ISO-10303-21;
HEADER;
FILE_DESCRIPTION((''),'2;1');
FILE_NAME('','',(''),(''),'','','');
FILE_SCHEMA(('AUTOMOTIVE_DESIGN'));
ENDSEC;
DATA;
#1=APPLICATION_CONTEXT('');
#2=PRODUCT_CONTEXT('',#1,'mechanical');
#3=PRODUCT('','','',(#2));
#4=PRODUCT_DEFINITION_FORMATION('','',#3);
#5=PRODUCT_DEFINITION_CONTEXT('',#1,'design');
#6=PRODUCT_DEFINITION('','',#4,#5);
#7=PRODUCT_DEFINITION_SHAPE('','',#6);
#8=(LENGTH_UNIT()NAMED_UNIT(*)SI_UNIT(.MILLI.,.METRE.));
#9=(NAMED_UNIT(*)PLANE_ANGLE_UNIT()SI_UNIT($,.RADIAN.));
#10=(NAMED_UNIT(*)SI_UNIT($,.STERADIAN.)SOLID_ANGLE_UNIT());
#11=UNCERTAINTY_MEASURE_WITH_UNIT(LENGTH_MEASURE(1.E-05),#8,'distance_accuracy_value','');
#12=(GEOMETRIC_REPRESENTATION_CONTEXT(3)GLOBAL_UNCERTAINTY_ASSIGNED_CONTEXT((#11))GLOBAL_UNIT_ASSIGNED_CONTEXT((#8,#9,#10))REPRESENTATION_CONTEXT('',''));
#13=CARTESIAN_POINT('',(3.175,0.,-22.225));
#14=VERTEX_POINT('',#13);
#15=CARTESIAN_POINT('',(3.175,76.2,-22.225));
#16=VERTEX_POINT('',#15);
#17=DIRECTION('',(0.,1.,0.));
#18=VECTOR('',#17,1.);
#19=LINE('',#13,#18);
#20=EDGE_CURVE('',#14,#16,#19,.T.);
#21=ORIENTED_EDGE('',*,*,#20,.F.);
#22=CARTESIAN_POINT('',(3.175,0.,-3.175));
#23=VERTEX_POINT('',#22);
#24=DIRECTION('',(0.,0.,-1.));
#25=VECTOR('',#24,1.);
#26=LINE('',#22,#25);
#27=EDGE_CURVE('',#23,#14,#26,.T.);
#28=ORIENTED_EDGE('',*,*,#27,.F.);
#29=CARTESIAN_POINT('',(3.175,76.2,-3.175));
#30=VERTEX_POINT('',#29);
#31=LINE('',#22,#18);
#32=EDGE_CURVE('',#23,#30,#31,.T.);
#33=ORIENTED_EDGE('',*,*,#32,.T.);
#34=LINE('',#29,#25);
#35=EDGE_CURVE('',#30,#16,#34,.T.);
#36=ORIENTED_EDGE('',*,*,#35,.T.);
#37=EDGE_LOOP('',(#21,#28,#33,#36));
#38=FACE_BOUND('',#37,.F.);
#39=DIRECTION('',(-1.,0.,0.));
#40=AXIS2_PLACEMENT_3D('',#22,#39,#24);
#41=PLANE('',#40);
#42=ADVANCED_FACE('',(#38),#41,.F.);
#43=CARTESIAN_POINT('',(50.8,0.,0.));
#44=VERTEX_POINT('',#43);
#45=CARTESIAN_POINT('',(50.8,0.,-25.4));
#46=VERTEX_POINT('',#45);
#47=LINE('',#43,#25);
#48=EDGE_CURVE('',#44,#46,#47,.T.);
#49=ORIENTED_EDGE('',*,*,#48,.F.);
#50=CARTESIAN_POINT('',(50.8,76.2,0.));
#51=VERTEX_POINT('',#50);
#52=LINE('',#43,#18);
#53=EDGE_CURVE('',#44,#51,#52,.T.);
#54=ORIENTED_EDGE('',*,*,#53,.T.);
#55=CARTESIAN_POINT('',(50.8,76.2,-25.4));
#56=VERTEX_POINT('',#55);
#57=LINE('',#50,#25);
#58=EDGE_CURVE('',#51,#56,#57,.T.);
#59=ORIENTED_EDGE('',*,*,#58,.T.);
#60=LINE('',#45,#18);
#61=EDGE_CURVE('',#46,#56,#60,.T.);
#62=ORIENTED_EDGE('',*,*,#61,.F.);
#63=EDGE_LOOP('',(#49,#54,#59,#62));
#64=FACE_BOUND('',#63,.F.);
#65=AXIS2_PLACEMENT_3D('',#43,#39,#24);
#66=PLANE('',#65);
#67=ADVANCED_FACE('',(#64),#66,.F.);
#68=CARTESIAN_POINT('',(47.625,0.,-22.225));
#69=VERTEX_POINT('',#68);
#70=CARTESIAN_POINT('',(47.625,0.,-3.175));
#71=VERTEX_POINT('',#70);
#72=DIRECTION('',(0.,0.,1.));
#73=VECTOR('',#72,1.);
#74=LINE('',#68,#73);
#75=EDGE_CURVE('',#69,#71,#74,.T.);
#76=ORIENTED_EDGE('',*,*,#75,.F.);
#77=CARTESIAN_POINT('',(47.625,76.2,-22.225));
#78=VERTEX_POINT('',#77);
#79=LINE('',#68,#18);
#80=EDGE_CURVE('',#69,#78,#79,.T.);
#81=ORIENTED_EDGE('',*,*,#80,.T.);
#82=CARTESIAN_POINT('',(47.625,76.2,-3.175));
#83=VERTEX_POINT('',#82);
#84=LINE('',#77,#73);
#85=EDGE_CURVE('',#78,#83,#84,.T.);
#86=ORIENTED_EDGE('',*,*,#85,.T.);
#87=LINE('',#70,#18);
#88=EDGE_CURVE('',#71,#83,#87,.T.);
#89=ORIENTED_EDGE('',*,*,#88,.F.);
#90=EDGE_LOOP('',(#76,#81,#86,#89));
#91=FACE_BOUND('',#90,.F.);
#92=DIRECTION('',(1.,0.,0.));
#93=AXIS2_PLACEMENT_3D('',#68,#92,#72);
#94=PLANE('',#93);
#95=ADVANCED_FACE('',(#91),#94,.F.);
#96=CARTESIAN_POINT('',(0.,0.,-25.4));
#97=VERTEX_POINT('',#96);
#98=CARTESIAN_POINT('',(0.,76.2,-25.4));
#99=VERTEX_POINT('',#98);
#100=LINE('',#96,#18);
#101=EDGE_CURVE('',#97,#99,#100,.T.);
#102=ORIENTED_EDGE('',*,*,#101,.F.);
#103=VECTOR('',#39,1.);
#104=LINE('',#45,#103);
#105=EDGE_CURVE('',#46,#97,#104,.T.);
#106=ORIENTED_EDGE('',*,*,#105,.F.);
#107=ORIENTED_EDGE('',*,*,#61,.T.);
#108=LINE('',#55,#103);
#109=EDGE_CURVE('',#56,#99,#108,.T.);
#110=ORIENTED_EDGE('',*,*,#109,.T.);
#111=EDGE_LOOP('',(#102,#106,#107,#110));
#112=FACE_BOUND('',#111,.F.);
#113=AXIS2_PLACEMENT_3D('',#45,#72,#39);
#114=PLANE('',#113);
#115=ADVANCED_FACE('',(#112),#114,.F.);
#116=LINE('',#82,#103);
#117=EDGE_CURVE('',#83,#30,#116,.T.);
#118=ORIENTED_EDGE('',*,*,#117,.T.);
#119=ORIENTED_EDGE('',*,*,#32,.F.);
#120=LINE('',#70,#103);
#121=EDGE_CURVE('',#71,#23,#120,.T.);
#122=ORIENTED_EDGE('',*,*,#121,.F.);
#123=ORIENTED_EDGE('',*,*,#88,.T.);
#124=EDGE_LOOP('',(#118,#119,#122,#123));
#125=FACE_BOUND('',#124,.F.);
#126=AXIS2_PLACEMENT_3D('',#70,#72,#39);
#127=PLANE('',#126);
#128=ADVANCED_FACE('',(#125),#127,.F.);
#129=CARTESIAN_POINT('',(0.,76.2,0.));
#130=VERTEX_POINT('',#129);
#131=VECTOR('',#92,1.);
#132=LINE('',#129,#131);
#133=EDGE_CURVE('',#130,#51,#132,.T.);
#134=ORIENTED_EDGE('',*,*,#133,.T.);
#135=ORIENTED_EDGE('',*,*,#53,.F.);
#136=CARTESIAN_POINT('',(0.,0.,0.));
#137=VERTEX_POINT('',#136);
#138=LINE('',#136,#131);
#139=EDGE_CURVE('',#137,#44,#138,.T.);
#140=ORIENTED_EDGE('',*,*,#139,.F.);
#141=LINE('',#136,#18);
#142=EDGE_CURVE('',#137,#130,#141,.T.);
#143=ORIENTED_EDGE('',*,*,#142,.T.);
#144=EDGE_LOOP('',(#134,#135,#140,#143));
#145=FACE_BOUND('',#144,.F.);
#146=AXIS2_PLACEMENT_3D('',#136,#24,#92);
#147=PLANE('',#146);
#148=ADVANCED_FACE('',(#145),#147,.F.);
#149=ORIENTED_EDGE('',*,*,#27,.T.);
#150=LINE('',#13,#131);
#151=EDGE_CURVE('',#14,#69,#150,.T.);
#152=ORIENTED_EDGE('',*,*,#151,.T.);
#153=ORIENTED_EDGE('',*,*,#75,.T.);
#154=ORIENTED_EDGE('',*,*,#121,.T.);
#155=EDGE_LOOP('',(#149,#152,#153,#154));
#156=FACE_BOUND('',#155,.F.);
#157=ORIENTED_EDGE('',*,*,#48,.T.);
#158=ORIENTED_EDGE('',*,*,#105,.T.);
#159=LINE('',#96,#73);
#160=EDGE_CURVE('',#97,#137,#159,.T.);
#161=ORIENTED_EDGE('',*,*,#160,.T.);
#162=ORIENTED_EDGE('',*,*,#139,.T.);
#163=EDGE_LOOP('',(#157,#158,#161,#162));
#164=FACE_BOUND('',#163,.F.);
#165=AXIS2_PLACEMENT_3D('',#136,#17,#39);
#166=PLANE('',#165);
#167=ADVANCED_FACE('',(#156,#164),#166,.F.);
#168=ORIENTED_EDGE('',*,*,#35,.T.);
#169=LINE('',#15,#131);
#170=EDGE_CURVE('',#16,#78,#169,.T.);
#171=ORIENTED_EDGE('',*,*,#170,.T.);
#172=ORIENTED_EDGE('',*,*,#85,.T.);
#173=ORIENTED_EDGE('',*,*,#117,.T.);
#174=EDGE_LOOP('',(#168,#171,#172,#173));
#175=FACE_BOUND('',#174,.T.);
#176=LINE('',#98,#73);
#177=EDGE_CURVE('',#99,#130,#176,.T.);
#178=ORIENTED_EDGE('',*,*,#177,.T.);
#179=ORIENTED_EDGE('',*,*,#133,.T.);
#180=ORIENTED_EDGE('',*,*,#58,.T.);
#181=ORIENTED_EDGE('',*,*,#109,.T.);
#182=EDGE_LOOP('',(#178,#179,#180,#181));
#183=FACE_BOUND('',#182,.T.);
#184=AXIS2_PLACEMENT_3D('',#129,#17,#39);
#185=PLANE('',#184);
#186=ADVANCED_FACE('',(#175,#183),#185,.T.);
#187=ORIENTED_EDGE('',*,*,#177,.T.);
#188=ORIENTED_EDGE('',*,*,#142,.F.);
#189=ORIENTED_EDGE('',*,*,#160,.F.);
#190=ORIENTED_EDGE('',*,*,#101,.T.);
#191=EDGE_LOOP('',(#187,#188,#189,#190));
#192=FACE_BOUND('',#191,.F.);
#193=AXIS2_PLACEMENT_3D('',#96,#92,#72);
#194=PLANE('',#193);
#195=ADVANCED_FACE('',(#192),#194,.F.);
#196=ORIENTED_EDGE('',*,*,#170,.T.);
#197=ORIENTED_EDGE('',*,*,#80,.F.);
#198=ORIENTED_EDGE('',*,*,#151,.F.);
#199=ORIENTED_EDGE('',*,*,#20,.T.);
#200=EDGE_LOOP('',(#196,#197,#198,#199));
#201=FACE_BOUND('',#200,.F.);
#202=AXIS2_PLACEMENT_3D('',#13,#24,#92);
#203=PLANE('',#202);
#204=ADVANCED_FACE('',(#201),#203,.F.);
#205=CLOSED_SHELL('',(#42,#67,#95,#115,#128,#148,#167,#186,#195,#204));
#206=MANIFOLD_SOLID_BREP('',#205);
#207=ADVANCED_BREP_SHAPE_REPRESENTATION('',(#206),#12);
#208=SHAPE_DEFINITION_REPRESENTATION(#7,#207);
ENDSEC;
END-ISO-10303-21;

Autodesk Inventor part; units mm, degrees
ref_plane "YZ Plane" through (0, 0, 0) normal (1, 0, 0) x (0, 1, 0)
ref_plane "XZ Plane" through (0, 0, 0) normal (0, 1, 0) x (-1, 0, 0)
ref_plane "XY Plane" through (0, 0, 0) normal (0, 0, 1) x (1, 0, 0)
sketch "Sketch1" plane through (0, 0, 0) normal (0, 1, 0) x (-1, 0, 0)
  line L0 (0, 0) -> (-50.8, 0)
  line L1 (-50.8, 0) -> (-50.8, -25.4)
  line L2 (-50.8, -25.4) -> (0, -25.4)
  line L3 (0, -25.4) -> (0, 0)
  line L4 (-3.175, -22.225) -> (-47.625, -22.225)
  line L5 (-47.625, -22.225) -> (-47.625, -3.175)
  line L6 (-47.625, -3.175) -> (-3.175, -3.175)
  line L7 (-3.175, -3.175) -> (-3.175, -22.225)
  dimension "d0" = 25.4
  dimension "d1" = 50.8
  dimension "d2" = 3.175
  dimension "d3" = 3.175
  dimension "d4" = 3.175
  dimension "d5" = 3.175
extrude "Extrusion1" add sketch "Sketch1" along normal blind 76.2
properties part number "2x1x3"
